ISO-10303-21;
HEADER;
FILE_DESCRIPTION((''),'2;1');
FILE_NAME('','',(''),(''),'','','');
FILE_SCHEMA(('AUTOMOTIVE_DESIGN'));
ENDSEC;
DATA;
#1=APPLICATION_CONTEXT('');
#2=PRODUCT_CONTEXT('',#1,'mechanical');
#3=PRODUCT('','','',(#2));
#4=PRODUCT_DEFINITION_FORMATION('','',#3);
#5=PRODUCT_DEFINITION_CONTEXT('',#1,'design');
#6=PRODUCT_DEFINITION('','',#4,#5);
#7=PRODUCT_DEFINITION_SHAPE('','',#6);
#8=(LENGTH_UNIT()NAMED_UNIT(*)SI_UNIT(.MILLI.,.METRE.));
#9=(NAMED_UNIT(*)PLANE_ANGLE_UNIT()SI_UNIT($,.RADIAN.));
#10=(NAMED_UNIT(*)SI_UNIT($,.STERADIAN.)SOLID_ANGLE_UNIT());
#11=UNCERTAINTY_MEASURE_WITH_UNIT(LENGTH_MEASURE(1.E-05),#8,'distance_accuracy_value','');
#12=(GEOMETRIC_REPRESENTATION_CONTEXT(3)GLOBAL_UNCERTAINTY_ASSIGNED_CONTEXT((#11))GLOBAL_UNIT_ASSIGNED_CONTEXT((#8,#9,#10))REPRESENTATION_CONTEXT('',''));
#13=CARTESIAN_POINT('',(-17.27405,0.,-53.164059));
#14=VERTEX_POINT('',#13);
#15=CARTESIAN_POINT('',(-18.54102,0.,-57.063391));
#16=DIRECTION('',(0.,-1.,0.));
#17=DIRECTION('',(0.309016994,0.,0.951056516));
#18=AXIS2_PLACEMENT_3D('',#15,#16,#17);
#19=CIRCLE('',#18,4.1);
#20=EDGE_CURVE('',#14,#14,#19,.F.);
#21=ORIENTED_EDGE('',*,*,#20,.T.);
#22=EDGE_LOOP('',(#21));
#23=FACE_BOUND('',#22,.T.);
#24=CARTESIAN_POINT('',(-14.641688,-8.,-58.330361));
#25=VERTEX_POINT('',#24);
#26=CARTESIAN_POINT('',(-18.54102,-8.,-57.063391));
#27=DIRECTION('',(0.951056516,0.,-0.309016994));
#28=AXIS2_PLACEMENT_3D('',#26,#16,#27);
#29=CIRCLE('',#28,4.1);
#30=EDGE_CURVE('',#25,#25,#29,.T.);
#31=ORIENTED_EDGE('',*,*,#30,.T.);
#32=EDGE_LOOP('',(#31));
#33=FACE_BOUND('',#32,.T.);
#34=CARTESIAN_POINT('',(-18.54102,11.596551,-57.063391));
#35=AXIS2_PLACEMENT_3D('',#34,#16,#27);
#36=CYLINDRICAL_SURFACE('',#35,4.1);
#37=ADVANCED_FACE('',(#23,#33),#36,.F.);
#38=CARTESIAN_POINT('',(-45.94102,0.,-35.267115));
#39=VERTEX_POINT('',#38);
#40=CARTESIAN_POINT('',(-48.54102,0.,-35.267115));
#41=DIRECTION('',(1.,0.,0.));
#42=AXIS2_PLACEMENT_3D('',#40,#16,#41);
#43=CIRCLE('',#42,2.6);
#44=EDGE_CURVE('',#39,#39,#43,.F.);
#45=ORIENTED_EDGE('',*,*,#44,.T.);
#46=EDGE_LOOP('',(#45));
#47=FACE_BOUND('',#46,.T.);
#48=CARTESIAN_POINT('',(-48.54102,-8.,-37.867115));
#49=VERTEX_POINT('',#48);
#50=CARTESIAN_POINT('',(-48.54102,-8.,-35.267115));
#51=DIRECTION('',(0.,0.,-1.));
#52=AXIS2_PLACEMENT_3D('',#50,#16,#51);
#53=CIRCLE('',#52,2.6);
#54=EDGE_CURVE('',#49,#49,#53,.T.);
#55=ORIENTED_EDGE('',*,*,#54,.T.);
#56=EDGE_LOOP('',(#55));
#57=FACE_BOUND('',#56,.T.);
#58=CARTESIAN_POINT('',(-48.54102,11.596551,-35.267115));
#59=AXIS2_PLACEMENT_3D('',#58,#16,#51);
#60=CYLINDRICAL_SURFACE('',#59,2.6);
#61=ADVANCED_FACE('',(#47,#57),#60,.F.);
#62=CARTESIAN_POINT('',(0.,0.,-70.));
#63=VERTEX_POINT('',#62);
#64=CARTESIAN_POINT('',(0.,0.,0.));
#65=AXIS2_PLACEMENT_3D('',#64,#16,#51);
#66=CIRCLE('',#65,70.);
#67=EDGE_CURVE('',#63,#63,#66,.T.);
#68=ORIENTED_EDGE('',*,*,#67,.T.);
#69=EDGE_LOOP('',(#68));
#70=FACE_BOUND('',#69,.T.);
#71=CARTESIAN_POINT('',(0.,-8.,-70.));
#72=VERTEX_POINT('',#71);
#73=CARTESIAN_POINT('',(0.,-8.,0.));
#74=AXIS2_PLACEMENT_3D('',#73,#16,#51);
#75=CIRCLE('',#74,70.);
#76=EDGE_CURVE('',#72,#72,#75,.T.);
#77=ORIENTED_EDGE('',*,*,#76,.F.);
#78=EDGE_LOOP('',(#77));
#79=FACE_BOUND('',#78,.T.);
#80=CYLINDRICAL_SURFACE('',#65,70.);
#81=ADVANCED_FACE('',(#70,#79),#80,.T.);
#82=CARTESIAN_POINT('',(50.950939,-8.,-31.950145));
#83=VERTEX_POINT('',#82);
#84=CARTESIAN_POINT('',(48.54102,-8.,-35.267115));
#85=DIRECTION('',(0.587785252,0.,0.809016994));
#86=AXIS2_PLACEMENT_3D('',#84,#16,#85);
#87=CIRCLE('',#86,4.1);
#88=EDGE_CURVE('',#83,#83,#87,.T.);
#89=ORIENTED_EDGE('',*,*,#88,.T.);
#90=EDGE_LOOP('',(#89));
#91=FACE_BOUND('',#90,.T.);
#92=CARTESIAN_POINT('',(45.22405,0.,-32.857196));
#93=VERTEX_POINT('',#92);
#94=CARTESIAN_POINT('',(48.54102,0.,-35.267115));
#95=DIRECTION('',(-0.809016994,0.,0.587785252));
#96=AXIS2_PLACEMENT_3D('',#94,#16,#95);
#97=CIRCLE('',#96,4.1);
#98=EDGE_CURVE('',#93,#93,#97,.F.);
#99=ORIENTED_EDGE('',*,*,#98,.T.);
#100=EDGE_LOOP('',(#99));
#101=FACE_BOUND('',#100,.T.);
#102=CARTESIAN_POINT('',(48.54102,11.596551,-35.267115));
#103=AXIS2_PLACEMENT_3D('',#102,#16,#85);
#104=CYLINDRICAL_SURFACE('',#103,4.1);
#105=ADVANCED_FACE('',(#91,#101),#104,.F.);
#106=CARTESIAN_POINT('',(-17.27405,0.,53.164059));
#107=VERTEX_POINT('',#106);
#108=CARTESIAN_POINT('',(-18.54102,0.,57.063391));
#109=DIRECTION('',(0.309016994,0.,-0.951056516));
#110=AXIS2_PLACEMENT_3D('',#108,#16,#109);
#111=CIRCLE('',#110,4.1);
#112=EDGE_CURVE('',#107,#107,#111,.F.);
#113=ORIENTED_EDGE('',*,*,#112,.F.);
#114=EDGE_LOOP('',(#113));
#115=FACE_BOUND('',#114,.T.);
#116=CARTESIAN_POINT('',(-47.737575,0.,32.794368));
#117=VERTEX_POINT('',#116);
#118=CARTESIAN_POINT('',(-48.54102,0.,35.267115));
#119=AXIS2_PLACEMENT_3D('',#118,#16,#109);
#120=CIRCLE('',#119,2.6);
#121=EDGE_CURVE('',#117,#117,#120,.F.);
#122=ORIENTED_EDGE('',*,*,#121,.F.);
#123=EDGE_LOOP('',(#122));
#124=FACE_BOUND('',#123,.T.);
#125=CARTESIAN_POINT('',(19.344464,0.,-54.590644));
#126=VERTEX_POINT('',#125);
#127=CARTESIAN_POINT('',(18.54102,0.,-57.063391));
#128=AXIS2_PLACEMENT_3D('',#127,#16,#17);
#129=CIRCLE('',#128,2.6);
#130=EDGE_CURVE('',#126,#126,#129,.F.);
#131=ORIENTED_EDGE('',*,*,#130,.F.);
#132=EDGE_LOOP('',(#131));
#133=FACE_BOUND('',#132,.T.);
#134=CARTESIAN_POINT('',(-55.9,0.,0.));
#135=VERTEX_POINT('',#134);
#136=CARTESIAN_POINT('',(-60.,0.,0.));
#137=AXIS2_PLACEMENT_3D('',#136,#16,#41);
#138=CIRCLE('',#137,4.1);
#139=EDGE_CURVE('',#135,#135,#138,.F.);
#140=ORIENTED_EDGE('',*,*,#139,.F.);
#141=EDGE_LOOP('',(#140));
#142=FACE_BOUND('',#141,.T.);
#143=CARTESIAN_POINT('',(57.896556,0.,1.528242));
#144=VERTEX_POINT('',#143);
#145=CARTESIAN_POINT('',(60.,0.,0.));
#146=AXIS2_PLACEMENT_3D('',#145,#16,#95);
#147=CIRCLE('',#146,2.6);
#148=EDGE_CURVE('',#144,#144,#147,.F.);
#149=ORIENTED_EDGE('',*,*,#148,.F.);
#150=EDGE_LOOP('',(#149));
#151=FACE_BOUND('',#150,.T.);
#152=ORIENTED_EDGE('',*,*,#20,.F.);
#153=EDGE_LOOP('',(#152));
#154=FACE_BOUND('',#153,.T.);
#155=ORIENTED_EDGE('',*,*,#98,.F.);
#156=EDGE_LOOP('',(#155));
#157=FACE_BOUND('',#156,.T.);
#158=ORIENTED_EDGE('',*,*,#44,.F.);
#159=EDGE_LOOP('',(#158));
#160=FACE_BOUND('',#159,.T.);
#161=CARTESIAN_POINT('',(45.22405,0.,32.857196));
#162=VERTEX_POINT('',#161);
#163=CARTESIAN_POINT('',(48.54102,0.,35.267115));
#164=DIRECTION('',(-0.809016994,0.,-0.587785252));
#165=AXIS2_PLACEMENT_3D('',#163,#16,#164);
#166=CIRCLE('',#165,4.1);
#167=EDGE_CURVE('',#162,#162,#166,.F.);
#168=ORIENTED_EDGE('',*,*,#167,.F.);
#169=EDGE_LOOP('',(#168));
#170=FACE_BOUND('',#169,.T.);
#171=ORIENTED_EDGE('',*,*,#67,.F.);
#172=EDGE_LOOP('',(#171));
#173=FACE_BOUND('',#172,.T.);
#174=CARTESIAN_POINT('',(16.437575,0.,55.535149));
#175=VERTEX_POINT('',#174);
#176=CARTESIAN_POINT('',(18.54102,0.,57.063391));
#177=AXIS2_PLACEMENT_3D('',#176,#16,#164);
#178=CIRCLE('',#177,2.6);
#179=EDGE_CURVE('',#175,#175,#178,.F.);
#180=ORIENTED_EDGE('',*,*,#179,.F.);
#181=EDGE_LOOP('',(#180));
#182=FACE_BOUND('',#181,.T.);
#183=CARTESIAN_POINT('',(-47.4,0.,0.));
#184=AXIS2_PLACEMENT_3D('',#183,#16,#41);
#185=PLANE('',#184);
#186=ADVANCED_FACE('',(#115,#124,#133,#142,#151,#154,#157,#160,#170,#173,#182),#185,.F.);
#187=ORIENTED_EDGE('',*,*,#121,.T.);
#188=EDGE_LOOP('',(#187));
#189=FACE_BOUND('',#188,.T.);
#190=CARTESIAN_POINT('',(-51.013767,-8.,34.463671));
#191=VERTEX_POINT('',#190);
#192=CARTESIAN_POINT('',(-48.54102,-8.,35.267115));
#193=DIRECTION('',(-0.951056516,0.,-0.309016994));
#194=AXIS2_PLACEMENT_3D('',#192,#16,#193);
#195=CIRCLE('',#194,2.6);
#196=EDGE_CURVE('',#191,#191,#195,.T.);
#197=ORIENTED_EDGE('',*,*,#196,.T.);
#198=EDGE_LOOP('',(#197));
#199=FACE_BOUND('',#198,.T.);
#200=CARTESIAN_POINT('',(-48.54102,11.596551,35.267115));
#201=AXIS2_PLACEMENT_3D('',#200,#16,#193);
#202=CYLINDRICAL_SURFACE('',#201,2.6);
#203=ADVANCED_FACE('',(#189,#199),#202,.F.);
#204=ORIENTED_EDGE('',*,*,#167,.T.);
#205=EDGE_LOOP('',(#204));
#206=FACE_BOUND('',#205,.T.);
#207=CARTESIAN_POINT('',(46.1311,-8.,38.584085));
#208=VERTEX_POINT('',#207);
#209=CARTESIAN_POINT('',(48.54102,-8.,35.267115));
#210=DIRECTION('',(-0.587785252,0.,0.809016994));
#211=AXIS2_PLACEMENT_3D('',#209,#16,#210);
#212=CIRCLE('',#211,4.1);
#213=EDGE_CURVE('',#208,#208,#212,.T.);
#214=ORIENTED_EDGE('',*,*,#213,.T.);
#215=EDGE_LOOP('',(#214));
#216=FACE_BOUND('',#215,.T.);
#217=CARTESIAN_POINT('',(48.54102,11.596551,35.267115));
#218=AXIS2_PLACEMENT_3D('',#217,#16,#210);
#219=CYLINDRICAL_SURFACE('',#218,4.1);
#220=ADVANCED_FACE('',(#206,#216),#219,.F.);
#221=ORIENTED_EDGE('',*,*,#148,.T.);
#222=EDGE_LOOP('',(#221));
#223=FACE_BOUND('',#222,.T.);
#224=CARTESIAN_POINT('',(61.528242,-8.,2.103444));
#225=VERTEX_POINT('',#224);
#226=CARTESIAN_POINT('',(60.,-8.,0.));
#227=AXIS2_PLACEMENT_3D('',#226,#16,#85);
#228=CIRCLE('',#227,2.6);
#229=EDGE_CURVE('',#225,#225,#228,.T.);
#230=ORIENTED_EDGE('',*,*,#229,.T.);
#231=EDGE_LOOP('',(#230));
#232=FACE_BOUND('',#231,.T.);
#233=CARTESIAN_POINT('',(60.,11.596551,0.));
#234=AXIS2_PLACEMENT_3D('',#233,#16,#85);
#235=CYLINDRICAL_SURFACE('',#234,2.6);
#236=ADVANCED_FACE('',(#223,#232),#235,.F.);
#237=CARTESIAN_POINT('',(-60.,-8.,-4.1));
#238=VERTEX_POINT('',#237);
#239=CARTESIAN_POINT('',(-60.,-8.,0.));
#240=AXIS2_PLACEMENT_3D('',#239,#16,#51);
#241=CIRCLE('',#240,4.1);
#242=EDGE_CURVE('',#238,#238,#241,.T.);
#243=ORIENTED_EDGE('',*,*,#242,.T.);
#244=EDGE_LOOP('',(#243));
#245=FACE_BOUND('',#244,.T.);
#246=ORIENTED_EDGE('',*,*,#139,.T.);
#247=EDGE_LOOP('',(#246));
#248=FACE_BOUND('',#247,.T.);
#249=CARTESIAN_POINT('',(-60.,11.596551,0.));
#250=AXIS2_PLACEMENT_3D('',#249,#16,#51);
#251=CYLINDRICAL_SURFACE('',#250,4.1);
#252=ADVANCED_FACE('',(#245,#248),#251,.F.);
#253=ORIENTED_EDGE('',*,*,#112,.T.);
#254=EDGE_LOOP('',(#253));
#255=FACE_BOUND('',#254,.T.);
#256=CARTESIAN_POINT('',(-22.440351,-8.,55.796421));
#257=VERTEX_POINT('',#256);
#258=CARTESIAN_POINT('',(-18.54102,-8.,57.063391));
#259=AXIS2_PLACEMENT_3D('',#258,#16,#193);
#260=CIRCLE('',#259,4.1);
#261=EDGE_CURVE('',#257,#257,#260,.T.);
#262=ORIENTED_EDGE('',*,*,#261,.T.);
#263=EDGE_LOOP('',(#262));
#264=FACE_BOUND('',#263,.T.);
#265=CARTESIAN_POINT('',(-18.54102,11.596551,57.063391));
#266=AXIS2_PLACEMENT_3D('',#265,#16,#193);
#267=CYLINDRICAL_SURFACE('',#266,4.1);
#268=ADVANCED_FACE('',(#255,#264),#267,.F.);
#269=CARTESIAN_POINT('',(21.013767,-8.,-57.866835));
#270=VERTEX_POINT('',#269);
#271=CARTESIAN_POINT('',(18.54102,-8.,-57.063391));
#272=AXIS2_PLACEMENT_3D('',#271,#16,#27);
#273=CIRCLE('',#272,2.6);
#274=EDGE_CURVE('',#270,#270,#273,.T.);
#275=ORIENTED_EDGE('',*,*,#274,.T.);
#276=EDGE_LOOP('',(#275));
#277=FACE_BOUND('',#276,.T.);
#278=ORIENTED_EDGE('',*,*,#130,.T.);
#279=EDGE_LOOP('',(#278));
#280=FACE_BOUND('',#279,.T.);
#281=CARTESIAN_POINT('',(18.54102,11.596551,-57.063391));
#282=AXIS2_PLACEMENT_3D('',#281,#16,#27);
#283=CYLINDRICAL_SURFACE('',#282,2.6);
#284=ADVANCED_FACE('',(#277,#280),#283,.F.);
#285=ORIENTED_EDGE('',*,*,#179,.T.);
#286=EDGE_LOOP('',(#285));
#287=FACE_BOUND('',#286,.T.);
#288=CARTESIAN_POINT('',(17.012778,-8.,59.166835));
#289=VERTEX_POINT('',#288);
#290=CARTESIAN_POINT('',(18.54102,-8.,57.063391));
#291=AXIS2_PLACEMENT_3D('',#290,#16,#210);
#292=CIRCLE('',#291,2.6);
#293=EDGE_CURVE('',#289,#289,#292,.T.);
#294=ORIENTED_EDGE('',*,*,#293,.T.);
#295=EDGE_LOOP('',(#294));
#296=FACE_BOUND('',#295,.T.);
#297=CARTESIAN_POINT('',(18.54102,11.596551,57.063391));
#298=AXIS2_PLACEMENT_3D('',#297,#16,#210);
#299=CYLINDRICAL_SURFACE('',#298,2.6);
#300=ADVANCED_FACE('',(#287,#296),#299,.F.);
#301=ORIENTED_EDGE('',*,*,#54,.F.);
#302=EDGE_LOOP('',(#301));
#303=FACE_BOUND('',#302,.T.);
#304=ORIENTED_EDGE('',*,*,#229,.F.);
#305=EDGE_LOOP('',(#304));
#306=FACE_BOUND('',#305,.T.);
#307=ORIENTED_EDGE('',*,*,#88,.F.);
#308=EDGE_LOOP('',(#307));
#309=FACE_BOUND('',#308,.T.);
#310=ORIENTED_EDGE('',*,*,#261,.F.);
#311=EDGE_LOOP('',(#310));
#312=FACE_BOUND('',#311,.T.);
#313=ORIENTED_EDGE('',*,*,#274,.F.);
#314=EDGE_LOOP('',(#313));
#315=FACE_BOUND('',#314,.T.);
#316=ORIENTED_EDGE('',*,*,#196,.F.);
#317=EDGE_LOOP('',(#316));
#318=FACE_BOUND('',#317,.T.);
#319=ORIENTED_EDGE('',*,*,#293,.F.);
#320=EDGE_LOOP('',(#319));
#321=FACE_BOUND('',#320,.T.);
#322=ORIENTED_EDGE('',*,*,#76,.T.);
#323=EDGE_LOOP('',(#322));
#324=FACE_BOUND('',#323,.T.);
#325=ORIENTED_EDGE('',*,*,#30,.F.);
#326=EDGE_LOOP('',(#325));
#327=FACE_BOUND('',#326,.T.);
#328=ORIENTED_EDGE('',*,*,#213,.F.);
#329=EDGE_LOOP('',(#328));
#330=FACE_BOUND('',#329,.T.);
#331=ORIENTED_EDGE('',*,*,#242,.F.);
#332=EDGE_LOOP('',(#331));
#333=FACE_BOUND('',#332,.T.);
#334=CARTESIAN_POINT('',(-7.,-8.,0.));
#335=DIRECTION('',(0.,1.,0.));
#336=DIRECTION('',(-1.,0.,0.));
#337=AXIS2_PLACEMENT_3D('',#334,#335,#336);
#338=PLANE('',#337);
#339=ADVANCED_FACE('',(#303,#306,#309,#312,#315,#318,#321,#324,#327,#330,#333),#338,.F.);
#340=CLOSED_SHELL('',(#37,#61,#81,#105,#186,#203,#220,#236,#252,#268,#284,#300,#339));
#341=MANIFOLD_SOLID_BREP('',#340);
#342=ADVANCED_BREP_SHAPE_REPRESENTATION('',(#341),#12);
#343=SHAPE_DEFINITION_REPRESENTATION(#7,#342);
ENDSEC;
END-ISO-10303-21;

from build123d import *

# Parameters (mm, degrees)
SKETCH19_R          = 70
BOSS_EXTRUDE2_DEPTH = 8
SKETCH19_3_R        = 4.1
SKETCH19_3_R_2      = 2.6
BOLT_HOLES_DEPTH    = 8
CIRPATTERN10_COUNT  = 5


with BuildPart() as part:
    # Sketch1 → Revolve1 (revolve)
    with BuildSketch(Plane.XY, mode=Mode.PRIVATE) as revolve1_sk:
        Polygon((-47.4, 0), (-47.4, -8), (-17.4, -8), (-7, -8), (0, -8), (0, 0), align=None)
    revolve(revolve1_sk.sketch.rotate(Axis((0, -8, 0), (0, 1, 0)), 180), axis=Axis((0, -8, 0), (0, 1, 0)))

    # Sketch19 → Boss-Extrude2 (add)
    with BuildSketch(Plane.XZ.offset(8)):
        with Locations(Location((0, 0, 0), (0, 0, 270))):
            Circle(SKETCH19_R)
    extrude(amount=-BOSS_EXTRUDE2_DEPTH)

    # Sketch19<3> → Bolt holes (cut)
    with BuildSketch(Plane.XZ.offset(8)):
        with Locations(Location((-60, 0, 0), (0, 0, 270))):
            Circle(SKETCH19_3_R)
        with Locations(Location((-48.541019662, -35.267115138, 0), (0, 0, 270))):
            Circle(SKETCH19_3_R_2)
    bolt_holes = extrude(amount=-BOLT_HOLES_DEPTH, mode=Mode.SUBTRACT)

    # CirPattern10: Bolt holes ×5 about axis
    cirpattern10_axis = Axis((0, 0, 0), (0, 1, 0))
    for i in range(1, CIRPATTERN10_COUNT):
        add(bolt_holes.rotate(cirpattern10_axis, i * 360 / CIRPATTERN10_COUNT), mode=Mode.SUBTRACT)


solid = part.part
